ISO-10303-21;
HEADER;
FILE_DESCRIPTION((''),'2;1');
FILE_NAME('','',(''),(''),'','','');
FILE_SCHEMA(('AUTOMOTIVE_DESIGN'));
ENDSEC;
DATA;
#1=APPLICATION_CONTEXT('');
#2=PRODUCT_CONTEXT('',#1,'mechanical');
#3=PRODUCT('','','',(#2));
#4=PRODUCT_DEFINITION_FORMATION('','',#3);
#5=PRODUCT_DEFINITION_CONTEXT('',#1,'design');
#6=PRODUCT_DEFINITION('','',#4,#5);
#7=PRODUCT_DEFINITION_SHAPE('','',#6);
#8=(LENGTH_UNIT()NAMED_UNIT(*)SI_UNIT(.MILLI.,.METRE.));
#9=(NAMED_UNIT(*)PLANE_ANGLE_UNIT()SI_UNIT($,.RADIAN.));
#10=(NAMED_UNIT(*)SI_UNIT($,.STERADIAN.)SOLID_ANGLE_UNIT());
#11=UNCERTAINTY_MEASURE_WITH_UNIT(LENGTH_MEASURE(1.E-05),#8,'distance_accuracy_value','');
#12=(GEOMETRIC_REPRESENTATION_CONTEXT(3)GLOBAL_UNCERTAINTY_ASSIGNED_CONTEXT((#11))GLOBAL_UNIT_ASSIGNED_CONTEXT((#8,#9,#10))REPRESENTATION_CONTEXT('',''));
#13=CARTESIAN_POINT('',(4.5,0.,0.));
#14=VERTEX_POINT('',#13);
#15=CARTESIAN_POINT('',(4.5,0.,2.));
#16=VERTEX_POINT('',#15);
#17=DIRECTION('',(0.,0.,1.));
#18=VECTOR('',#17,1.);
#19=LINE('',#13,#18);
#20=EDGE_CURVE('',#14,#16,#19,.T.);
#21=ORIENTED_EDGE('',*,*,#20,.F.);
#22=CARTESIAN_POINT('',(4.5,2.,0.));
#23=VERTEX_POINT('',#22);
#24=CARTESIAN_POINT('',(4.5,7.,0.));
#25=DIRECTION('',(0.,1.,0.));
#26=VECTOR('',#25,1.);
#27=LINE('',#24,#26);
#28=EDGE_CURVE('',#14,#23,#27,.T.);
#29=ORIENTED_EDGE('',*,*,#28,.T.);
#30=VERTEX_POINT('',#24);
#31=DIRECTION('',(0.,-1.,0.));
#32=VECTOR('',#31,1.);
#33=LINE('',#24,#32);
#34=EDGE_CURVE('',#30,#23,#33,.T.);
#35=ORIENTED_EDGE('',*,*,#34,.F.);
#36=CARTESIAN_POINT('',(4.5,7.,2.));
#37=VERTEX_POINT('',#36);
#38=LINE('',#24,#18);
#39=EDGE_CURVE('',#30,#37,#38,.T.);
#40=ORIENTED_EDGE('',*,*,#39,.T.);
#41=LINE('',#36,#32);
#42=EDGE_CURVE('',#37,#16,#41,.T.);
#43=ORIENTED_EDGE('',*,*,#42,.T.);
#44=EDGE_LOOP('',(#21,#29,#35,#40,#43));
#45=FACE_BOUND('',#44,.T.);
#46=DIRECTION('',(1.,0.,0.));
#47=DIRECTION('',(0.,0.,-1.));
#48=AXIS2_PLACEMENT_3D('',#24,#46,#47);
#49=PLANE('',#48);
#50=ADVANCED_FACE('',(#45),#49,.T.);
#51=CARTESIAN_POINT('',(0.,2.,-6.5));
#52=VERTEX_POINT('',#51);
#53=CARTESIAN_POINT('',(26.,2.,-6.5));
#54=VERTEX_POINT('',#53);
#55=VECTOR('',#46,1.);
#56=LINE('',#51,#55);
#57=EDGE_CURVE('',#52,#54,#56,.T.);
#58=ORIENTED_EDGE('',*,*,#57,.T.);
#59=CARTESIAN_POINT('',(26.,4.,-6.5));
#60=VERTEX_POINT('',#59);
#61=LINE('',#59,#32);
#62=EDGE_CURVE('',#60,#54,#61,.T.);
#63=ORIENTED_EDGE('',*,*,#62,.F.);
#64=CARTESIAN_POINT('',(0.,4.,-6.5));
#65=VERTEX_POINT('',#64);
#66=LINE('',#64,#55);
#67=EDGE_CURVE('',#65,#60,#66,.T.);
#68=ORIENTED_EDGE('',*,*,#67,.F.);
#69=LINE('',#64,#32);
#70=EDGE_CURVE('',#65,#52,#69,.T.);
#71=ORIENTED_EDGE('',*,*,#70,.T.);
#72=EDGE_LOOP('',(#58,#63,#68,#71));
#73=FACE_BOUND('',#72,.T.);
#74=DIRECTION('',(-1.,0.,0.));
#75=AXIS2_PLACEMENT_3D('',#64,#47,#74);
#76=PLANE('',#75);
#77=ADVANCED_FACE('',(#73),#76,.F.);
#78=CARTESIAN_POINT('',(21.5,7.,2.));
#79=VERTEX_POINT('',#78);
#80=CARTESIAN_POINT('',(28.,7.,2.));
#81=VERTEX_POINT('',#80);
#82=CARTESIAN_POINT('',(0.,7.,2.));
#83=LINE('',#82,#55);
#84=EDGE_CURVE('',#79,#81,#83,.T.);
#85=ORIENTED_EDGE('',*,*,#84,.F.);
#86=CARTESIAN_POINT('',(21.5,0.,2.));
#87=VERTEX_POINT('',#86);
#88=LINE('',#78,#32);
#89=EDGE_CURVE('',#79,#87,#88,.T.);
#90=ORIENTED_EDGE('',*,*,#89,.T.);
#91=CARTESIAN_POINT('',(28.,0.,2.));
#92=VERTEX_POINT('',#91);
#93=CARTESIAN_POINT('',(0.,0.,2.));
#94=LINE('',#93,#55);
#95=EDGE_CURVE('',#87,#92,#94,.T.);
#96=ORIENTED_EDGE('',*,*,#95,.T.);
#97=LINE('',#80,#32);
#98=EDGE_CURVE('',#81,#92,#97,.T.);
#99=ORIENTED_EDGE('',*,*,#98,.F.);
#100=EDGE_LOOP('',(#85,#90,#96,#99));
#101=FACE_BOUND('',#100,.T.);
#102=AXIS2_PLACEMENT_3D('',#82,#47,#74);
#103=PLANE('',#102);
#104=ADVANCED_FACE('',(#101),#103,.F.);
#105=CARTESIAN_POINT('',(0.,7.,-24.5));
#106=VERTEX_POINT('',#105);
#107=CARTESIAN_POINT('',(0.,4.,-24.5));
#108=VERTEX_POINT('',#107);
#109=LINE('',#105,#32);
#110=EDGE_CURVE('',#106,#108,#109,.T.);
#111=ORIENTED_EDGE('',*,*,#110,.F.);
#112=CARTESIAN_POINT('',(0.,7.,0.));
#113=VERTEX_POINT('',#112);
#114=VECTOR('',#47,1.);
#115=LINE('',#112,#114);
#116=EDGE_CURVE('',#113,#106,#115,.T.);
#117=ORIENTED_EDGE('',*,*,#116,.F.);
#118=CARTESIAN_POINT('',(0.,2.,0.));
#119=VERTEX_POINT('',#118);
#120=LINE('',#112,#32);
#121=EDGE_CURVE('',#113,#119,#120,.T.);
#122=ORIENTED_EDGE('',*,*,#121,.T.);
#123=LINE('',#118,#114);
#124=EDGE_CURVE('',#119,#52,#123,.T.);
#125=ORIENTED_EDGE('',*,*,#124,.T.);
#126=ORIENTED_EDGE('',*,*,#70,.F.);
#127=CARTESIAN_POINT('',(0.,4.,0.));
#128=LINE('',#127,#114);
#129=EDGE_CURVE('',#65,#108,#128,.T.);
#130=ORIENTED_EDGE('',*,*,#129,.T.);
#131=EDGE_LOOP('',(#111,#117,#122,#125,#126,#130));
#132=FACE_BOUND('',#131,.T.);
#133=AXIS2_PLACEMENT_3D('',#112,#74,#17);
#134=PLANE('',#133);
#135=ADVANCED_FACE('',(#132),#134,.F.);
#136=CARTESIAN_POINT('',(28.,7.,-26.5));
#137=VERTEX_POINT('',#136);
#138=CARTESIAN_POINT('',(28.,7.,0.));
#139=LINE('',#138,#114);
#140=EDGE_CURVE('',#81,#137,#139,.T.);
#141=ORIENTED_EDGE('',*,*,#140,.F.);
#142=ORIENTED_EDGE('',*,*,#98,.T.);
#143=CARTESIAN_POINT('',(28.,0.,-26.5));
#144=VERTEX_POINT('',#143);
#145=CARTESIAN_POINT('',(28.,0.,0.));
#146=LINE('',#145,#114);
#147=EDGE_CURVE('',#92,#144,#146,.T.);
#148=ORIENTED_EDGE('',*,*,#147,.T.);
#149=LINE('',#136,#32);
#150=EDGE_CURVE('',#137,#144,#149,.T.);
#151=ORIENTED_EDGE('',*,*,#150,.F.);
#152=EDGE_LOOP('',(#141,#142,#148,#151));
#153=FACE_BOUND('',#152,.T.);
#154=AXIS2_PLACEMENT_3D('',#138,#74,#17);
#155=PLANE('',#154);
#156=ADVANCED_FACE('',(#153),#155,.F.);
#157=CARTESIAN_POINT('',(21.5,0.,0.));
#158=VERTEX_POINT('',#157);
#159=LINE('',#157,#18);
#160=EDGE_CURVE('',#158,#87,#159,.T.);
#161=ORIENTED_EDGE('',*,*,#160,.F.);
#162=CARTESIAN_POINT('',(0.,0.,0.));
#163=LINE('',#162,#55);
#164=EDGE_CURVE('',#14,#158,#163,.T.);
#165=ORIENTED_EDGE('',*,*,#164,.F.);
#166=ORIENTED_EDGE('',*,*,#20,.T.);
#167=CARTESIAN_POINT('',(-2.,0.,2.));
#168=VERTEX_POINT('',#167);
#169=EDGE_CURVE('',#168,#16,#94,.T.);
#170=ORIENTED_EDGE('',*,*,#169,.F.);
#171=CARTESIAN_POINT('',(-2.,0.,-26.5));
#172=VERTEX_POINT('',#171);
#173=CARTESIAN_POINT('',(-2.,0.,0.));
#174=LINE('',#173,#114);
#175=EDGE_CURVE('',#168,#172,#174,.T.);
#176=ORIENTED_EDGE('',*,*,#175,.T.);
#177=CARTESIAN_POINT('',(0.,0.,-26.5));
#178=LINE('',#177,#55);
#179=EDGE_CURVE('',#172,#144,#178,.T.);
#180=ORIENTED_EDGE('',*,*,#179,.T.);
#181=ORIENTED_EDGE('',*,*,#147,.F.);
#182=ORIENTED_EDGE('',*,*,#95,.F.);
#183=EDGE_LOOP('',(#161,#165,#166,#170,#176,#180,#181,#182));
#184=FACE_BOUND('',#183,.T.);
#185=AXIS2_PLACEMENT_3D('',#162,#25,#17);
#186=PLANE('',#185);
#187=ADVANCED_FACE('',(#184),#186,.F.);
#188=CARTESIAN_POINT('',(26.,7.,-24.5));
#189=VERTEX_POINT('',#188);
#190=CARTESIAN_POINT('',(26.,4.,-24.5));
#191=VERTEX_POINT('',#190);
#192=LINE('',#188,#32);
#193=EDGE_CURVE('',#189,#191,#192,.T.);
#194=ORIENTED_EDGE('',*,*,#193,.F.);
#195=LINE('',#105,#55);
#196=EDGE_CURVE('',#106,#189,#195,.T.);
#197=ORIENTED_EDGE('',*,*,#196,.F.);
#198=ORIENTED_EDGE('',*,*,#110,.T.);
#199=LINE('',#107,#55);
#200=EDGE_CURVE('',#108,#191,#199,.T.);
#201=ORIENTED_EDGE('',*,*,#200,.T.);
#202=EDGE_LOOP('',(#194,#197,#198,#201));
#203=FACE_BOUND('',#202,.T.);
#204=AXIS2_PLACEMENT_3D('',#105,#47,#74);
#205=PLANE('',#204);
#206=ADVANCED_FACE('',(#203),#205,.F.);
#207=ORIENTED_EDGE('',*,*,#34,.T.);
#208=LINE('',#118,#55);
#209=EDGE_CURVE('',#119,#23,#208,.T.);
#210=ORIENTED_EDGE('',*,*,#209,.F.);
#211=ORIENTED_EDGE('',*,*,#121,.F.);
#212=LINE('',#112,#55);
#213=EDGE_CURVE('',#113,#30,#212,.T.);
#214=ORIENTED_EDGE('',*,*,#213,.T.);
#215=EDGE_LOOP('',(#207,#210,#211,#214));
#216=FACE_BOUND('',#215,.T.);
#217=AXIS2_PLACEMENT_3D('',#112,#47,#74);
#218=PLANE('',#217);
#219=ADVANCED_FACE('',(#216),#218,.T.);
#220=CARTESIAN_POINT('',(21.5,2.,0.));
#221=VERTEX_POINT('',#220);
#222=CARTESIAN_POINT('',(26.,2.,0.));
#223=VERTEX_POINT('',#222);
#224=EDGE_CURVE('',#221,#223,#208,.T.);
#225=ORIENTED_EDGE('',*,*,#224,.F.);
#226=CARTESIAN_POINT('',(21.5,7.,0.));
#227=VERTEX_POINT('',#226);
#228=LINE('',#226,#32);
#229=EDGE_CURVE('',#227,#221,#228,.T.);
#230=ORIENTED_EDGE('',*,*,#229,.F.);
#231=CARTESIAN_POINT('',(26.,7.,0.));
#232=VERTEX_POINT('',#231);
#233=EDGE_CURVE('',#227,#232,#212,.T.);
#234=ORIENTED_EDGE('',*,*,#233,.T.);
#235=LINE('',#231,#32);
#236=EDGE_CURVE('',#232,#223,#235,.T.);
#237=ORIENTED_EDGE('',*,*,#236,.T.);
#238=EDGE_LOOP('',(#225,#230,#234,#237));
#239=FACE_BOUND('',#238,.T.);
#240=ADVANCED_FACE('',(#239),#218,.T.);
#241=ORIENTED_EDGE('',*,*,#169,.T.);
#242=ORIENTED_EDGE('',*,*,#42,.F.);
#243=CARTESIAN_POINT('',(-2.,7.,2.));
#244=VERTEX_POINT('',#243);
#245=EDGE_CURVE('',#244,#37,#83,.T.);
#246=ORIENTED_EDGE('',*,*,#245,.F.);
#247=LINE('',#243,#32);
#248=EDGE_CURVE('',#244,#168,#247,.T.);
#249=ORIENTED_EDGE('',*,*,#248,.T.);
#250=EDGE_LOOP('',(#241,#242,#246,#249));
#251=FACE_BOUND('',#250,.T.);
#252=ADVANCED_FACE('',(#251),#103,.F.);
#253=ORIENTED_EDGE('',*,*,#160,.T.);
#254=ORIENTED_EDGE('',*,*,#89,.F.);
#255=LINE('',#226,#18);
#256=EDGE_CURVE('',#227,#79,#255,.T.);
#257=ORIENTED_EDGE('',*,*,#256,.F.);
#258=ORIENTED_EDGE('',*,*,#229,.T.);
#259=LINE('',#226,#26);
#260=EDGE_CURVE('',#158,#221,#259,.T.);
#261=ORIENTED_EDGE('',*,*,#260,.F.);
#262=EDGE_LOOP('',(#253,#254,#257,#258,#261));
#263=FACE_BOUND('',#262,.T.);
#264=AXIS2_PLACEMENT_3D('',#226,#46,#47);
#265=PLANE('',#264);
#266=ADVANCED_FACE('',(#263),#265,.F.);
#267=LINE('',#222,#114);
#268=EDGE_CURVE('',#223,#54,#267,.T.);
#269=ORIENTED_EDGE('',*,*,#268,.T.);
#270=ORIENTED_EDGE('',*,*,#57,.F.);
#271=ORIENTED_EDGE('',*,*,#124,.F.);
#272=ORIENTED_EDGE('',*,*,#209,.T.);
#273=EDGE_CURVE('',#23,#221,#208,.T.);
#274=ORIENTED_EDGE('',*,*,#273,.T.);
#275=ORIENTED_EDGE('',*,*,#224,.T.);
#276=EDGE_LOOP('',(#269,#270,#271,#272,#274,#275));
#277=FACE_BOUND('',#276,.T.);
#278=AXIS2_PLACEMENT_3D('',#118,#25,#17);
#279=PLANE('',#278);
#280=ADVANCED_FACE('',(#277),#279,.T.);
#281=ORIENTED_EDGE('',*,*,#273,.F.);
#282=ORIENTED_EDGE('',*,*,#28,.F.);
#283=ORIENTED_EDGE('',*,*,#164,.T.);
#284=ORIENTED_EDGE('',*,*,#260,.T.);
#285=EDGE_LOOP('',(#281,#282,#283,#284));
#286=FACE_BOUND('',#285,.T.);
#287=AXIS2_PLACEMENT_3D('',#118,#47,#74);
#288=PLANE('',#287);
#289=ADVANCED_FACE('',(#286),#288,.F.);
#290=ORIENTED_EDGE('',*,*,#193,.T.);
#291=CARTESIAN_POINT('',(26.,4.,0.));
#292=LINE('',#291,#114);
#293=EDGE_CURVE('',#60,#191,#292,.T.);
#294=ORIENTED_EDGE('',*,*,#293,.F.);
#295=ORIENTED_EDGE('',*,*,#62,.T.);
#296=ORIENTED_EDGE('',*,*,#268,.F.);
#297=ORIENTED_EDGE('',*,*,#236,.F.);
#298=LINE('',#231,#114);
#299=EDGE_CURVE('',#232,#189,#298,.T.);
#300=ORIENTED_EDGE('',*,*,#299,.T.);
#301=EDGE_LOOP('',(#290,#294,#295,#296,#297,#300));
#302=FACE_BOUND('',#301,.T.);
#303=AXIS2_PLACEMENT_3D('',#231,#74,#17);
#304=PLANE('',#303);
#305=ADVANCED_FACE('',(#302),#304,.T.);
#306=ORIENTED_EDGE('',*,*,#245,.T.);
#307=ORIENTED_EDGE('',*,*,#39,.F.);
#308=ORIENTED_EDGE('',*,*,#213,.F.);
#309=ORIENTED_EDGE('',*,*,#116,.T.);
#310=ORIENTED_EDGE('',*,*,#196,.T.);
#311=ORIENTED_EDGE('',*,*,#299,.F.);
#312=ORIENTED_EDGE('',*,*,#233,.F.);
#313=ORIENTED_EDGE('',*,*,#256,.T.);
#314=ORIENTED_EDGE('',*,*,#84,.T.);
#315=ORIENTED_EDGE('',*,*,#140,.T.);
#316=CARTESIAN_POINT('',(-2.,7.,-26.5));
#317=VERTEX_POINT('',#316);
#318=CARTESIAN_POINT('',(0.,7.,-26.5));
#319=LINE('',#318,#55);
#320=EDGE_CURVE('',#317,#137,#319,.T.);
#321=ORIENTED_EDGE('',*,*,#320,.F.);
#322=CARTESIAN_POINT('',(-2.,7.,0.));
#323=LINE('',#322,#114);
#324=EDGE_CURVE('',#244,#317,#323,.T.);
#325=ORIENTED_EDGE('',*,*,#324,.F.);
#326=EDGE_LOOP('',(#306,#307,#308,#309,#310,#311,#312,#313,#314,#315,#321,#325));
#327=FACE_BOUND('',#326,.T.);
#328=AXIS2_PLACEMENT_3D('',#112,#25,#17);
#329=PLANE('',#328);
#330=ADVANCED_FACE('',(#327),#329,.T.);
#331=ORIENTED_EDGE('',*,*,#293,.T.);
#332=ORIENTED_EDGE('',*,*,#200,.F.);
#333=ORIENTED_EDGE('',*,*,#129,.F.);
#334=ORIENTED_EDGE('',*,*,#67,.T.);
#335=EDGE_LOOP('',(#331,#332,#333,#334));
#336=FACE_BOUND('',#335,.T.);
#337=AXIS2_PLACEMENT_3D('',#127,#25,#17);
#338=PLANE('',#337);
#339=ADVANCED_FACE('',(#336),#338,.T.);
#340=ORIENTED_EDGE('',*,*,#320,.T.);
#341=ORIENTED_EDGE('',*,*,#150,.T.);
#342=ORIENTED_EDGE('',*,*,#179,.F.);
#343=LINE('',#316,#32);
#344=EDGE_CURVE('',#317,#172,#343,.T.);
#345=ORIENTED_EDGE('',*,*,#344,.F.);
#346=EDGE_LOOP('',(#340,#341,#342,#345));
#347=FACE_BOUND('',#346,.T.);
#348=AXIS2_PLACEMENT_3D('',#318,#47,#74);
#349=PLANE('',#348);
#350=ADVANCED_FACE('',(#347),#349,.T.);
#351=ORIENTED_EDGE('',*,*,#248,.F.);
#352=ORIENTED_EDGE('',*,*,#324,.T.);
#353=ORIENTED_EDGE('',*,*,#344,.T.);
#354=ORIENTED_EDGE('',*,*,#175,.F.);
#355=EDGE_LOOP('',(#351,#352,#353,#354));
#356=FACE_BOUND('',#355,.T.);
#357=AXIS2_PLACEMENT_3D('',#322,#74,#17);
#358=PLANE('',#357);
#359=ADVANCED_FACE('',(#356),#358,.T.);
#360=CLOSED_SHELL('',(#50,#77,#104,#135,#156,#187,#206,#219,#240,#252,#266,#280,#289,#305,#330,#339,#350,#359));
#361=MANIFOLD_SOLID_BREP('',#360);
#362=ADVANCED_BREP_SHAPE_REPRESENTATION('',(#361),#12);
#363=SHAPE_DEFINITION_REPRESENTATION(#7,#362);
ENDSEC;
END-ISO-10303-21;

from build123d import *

# Parameters (mm, degrees)
BOSS_EXTRUDE1_DEPTH = 7
BOSS_EXTRUDE2_DEPTH = 2
SKETCH1_5_W         = 26
SKETCH1_5_H         = 18
BOSS_EXTRUDE3_DEPTH = 4


with BuildPart() as part:
    # Sketch1 → Boss-Extrude1 (new body)
    with BuildSketch(Plane(origin=(0, 0, 0), x_dir=(1, 0, 0), z_dir=(0, 1, 0))):
        Polygon((0, 0), (0, 6.5), (0, 24.5), (26, 24.5), (26, 6.5), (26, 0), (21.5, 0), (21.5, -2), (28, -2), (28, 26.5), (-2, 26.5), (-2, -2), (4.5, -2), (4.5, 0), align=None)
    extrude(amount=BOSS_EXTRUDE1_DEPTH)

    # Sketch1<3> → Boss-Extrude2 (add)
    with BuildSketch(Plane(origin=(0, 0, 0), x_dir=(1, 0, 0), z_dir=(0, 1, 0))):
        Polygon((26, 6.5), (0, 6.5), (0, 0), (4.5, 0), (21.5, 0), (26, 0), align=None)
    extrude(amount=BOSS_EXTRUDE2_DEPTH)

    # Sketch1<5> → Boss-Extrude3 (add)
    with BuildSketch(Plane(origin=(0, 0, 0), x_dir=(1, 0, 0), z_dir=(0, 1, 0))):
        with Locations((13, 15.5)):
            Rectangle(SKETCH1_5_W, SKETCH1_5_H)
    extrude(amount=BOSS_EXTRUDE3_DEPTH)


solid = part.part
